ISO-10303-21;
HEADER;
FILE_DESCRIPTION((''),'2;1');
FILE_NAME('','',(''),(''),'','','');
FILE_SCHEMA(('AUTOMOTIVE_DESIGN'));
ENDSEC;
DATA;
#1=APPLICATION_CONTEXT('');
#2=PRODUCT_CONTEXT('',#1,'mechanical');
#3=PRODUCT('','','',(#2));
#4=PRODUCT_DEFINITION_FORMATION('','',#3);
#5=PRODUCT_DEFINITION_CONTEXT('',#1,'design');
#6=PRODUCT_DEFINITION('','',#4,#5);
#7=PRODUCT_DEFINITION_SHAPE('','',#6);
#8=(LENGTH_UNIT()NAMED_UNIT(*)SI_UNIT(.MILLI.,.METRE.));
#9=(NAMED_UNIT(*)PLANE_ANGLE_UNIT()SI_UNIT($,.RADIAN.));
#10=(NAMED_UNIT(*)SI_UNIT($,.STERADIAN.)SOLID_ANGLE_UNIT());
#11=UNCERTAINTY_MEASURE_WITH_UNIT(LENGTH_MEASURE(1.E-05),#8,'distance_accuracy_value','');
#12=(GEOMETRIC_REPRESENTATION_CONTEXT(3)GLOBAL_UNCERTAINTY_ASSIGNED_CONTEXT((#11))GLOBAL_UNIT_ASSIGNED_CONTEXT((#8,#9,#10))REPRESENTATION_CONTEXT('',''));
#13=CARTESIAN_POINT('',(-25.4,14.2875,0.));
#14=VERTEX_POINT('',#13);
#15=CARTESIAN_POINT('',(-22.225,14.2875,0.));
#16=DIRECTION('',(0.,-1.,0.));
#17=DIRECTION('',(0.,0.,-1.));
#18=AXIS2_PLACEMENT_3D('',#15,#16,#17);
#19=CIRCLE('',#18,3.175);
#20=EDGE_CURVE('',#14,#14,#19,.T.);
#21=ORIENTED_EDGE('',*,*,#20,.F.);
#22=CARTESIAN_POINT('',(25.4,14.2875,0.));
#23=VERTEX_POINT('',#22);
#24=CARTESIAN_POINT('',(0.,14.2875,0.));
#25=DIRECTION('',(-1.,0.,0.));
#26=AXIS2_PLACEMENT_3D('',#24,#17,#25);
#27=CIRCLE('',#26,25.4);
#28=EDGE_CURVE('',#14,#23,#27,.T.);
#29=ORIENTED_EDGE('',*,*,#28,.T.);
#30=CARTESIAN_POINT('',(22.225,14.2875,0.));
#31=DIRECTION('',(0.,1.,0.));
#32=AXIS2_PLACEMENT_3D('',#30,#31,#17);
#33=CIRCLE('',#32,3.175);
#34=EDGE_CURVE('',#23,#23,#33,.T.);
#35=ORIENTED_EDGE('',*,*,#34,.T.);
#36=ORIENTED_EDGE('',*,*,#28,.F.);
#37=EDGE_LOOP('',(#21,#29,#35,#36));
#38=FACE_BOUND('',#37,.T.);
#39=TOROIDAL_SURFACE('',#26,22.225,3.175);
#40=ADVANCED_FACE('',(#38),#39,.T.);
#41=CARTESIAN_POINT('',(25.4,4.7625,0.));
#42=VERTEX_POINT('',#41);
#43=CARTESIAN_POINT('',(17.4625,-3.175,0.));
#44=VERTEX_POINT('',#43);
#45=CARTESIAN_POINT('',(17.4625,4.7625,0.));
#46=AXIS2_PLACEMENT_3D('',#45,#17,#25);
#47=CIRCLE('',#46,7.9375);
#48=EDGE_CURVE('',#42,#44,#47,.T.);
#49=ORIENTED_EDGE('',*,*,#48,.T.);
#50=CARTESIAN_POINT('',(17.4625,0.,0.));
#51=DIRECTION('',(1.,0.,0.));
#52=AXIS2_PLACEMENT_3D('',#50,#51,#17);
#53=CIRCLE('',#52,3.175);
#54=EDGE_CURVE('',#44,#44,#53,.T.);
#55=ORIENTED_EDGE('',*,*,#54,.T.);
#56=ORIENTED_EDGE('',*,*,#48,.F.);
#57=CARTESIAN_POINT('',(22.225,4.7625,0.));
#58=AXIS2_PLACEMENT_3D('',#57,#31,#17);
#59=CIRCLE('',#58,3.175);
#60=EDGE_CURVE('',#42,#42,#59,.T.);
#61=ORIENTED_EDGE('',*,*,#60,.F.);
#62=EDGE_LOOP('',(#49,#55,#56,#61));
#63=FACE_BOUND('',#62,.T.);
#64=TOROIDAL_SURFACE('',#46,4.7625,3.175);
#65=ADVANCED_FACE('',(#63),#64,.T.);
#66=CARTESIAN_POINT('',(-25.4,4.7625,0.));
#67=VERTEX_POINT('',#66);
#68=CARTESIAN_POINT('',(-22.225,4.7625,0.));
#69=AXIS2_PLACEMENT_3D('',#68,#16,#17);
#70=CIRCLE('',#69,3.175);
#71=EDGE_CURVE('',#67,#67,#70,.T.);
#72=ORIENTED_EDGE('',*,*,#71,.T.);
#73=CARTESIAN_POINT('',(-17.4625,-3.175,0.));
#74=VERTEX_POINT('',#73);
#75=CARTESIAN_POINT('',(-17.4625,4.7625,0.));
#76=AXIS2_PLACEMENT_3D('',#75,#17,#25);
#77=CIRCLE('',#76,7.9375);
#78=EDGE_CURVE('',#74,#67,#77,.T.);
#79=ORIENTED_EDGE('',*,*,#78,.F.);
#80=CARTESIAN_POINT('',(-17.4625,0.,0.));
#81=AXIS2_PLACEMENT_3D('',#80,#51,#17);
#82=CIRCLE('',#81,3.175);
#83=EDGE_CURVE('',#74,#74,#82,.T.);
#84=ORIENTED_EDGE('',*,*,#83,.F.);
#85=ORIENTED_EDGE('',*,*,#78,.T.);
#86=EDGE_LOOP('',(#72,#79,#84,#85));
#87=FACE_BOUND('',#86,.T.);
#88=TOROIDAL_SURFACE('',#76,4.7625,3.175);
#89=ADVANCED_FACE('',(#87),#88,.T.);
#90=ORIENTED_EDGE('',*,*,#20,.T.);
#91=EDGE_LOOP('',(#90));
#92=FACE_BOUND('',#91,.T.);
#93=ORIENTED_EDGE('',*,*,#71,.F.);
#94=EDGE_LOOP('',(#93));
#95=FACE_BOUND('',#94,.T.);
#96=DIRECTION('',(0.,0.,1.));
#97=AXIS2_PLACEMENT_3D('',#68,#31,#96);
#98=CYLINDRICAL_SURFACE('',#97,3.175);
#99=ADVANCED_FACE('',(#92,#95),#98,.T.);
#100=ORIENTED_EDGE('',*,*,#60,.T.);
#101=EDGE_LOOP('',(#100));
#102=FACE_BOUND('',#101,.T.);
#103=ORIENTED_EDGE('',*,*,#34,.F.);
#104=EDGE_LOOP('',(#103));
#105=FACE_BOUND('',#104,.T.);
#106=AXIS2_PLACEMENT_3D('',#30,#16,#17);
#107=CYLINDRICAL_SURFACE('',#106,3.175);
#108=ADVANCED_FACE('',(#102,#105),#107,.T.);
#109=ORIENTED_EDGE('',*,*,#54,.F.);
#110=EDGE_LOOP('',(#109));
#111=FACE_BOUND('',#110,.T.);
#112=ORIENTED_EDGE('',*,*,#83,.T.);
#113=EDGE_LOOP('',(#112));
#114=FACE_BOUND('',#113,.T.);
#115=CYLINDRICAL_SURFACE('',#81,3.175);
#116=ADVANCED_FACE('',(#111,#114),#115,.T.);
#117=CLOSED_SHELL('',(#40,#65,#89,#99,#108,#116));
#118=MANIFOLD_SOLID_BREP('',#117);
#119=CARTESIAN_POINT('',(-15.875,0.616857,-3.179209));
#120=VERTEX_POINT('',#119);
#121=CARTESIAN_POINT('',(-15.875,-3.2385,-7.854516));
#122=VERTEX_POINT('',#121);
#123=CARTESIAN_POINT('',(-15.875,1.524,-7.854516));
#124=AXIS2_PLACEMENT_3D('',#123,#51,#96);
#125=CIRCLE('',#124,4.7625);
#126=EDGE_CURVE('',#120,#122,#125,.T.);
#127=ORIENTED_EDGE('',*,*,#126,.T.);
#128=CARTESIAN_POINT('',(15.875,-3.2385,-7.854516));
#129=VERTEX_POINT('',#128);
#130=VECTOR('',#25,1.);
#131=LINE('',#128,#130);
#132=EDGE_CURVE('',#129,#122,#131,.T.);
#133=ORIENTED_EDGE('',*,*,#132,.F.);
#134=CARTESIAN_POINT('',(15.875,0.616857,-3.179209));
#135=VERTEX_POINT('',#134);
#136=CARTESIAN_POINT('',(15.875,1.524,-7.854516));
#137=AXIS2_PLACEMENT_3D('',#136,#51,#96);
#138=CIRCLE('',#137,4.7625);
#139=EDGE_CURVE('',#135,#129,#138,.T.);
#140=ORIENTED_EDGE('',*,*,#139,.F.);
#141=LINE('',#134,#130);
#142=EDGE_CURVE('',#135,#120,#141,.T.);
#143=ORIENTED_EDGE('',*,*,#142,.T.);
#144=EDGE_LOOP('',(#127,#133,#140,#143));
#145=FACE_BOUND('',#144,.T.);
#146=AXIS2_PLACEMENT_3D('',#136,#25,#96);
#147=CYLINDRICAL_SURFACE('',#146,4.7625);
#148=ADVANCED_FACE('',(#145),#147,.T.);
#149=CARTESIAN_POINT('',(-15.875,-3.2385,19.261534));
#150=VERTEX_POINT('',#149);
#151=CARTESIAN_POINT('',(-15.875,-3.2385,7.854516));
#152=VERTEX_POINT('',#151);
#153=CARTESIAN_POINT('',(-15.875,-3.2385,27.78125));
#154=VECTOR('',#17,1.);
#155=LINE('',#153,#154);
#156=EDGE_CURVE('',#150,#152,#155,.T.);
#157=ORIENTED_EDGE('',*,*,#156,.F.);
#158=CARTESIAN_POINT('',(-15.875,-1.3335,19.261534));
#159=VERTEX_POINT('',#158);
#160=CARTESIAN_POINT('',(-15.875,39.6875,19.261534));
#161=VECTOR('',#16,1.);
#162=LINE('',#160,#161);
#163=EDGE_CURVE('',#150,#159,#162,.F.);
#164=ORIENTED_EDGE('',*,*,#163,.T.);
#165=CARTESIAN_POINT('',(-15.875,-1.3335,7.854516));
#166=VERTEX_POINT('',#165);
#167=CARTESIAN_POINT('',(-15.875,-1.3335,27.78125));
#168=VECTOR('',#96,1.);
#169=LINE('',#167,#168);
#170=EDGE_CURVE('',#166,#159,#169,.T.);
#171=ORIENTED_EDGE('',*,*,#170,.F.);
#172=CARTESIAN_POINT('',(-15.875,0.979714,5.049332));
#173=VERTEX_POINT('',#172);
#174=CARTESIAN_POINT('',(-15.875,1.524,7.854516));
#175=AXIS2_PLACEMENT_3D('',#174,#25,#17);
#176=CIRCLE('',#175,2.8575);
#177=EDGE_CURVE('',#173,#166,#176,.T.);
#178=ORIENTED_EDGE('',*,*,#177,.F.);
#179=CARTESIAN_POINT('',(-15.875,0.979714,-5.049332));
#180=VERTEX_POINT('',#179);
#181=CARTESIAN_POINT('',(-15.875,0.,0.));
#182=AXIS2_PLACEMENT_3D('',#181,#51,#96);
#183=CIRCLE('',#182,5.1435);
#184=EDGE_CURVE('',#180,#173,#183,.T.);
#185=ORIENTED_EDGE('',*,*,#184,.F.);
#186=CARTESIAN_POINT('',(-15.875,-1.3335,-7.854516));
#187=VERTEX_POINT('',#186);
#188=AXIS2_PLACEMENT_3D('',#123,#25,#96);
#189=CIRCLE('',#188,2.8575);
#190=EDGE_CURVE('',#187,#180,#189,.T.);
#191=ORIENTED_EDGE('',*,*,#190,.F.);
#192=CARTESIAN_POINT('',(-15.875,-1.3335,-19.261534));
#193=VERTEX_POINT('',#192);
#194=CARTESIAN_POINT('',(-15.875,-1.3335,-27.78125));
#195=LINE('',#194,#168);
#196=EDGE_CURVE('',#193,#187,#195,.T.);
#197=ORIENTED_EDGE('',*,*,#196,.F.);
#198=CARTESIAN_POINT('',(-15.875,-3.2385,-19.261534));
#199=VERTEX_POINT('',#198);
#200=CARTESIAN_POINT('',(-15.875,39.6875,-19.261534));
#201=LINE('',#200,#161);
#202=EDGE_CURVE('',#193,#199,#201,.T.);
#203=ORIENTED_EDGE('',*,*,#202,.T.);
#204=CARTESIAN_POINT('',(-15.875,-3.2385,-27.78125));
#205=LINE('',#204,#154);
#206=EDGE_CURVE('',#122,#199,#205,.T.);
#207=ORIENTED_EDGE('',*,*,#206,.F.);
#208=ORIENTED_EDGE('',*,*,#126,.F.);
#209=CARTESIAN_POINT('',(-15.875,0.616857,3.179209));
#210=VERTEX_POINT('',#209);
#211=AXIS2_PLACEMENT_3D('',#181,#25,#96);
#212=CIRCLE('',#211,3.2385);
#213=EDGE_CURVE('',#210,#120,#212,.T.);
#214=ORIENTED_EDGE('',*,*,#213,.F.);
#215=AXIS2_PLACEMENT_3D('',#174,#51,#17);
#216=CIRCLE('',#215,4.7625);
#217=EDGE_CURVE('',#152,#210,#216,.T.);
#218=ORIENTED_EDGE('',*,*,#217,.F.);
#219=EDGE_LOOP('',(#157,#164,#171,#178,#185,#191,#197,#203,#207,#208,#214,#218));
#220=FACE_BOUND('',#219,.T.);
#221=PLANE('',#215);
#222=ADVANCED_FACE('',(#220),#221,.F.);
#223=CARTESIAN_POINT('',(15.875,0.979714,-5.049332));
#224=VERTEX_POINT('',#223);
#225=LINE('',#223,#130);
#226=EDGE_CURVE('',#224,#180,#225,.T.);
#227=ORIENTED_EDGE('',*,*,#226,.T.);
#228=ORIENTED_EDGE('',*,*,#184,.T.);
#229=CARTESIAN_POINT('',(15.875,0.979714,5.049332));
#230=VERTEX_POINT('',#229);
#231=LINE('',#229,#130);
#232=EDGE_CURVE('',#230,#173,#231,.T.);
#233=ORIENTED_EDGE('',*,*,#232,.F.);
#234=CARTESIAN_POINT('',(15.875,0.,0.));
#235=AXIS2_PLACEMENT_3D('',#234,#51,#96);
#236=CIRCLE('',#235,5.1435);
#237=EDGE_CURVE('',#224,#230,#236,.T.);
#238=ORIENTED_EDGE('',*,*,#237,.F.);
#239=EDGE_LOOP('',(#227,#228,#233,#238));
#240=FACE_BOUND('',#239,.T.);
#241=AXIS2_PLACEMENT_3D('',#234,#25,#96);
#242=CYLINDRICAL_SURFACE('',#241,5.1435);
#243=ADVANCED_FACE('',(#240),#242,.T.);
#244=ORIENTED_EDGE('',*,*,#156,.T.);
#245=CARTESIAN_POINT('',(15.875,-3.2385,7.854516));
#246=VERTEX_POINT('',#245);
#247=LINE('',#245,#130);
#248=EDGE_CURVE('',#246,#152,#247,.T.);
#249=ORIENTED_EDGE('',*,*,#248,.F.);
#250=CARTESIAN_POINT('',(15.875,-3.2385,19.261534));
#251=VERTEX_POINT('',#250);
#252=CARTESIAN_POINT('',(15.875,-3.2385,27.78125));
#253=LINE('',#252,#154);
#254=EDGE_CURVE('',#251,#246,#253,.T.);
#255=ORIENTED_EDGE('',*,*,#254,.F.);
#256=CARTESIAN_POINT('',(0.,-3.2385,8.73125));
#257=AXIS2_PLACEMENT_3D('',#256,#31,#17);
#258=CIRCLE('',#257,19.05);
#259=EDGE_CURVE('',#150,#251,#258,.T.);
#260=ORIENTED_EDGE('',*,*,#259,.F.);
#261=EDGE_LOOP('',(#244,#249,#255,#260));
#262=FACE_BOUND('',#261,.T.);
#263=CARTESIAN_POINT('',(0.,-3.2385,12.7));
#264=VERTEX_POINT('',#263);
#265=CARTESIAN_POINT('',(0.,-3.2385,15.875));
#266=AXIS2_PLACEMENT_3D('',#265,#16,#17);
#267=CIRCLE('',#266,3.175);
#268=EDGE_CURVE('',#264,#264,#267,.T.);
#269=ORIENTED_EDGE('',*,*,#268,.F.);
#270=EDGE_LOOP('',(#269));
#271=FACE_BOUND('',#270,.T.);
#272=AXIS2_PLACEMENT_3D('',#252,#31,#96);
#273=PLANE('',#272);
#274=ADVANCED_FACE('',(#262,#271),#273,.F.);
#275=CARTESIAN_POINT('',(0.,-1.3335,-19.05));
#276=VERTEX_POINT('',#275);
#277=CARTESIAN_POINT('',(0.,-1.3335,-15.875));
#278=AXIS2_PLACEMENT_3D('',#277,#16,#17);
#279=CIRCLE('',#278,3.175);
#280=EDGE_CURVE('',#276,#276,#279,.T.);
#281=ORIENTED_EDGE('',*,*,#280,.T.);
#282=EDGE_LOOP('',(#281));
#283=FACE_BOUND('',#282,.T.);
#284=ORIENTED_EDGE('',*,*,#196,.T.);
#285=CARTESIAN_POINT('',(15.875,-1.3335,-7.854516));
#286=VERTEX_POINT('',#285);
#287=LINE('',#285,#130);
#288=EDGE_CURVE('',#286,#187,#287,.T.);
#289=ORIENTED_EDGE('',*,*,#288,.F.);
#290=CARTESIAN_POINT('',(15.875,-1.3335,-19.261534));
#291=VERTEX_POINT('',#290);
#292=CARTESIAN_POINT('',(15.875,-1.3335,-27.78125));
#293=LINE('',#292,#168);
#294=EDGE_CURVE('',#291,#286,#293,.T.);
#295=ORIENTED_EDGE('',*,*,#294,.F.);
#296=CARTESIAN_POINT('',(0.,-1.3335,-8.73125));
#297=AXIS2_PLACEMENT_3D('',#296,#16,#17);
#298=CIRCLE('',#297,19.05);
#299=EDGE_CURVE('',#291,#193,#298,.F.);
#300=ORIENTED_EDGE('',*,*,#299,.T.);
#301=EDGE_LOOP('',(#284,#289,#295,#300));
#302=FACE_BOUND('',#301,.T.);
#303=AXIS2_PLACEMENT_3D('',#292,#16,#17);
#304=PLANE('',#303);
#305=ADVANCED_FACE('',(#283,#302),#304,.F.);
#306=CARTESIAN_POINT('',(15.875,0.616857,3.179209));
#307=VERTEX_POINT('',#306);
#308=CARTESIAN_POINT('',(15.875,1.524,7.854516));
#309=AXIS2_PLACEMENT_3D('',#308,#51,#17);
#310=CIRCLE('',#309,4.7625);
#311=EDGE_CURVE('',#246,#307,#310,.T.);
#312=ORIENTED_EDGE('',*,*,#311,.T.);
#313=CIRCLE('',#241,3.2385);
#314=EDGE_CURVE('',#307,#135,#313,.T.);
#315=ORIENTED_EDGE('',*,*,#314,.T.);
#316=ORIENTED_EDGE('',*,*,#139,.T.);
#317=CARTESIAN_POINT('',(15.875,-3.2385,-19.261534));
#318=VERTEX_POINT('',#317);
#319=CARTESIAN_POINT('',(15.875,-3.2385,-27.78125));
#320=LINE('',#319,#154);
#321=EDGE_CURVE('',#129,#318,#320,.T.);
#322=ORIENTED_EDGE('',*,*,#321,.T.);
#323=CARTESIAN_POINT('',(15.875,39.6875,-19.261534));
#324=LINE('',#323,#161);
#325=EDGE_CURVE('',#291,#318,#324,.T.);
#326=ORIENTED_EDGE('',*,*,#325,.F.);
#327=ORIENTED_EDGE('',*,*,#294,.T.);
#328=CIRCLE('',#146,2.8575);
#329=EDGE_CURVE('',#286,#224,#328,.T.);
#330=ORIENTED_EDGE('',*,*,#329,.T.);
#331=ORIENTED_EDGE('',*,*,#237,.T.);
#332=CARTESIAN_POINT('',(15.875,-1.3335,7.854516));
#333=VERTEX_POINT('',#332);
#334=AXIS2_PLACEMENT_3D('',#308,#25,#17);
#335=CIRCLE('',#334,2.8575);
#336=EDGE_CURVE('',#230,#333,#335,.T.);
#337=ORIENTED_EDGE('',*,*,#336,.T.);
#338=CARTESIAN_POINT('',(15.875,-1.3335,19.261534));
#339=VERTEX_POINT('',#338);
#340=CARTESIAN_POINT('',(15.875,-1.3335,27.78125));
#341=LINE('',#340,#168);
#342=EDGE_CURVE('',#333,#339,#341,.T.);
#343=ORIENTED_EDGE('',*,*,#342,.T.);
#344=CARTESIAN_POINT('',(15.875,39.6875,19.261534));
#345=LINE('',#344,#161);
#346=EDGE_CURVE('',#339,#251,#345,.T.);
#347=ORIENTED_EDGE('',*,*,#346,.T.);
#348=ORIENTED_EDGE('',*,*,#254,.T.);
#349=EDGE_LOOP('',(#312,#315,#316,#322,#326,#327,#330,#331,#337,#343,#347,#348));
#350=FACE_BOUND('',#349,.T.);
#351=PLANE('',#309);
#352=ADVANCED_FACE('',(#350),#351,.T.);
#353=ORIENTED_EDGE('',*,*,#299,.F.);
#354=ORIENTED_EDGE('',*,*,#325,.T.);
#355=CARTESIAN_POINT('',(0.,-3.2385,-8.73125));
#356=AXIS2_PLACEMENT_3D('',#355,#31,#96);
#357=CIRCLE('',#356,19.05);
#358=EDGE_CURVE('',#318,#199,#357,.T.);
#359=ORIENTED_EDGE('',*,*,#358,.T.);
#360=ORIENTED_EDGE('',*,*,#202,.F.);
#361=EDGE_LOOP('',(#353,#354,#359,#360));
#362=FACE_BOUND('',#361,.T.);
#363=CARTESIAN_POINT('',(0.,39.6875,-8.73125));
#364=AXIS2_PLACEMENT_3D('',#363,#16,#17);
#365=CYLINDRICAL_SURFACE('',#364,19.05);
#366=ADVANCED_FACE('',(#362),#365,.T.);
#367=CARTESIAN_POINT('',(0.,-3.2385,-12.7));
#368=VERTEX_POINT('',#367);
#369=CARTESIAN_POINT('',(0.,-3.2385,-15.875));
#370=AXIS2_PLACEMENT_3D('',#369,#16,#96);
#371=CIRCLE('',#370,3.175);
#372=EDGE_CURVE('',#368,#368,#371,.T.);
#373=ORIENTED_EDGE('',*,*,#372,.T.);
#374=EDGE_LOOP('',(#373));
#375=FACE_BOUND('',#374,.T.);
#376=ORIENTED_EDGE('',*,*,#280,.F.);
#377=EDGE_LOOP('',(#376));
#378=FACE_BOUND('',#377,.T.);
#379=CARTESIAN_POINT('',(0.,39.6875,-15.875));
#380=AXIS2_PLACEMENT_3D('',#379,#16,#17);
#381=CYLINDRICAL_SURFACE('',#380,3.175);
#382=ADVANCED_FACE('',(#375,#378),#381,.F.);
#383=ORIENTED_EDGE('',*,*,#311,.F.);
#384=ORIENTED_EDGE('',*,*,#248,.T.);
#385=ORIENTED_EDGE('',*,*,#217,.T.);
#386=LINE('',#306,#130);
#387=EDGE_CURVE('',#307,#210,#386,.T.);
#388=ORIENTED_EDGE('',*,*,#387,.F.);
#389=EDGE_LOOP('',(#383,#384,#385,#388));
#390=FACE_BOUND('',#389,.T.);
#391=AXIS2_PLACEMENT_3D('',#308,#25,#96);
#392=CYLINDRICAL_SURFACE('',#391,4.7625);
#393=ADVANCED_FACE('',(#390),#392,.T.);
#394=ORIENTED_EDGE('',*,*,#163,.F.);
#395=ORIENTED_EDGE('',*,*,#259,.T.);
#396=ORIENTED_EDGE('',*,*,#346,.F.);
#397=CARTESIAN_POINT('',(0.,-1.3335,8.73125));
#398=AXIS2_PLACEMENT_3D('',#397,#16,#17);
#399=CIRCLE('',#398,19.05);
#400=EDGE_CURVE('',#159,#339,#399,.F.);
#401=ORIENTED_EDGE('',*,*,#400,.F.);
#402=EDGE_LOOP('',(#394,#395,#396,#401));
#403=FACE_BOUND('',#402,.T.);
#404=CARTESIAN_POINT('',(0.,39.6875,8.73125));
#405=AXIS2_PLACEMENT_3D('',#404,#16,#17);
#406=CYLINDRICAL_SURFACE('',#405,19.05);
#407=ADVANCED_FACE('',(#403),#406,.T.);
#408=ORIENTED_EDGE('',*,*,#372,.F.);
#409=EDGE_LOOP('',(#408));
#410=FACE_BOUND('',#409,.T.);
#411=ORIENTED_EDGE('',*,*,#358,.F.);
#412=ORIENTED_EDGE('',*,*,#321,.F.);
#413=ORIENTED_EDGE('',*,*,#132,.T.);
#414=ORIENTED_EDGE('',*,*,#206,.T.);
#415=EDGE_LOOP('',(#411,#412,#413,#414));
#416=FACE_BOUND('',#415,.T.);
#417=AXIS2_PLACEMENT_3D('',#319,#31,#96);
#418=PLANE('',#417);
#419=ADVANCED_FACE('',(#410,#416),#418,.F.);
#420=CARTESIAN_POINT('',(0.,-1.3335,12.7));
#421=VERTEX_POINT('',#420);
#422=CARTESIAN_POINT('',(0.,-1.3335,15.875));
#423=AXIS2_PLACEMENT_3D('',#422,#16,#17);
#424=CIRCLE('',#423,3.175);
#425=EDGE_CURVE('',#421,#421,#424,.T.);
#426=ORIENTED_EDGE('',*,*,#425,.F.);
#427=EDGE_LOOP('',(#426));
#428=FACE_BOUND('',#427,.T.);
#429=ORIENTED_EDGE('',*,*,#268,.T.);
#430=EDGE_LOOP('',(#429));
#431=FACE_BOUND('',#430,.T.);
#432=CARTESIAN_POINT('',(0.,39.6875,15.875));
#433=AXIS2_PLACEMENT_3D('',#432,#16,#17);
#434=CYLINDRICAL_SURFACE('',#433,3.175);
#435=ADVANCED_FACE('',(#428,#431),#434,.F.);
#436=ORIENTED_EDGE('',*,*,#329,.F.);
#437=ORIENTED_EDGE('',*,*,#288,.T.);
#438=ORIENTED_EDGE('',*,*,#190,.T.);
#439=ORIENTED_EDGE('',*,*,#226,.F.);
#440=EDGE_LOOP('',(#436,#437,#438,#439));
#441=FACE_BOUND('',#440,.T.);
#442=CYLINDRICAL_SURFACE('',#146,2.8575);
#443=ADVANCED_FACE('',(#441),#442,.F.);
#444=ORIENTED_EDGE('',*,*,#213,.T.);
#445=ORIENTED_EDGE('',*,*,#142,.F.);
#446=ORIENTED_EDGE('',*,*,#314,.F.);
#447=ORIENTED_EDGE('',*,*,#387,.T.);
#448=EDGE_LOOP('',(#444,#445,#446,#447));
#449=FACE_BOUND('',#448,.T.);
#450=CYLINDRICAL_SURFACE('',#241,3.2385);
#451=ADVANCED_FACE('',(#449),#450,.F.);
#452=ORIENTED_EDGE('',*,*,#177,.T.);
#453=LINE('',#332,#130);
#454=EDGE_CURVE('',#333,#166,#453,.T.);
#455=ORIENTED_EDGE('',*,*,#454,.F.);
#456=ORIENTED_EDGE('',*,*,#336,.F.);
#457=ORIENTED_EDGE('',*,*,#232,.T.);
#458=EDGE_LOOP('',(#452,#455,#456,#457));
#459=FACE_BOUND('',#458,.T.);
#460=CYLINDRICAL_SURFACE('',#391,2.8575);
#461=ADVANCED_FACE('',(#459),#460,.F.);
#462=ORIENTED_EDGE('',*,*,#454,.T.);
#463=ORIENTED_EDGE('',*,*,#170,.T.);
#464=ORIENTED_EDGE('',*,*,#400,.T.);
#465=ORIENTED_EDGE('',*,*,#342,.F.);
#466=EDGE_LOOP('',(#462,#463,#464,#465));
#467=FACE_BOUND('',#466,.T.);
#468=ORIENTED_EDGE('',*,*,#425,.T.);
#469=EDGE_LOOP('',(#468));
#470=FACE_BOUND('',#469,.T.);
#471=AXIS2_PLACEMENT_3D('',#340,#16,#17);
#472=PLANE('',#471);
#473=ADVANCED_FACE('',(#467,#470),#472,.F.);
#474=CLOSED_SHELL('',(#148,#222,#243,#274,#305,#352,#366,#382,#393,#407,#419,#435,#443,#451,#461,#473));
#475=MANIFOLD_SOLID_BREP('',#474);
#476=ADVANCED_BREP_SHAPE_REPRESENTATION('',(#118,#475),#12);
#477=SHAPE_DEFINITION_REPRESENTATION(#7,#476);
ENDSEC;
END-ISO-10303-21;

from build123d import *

# Parameters (mm, degrees)
SKETCH2_R           = 3.175
BOSS_EXTRUDE1_DEPTH = 15.875
SKETCH4_R           = 3.175
CUT_EXTRUDE1_DEPTH  = 58.092900971


with BuildPart() as part:
    # Sweep1: sweep along a path in Sketch1
    with BuildLine(Plane.XY) as sweep1_path:
        Line((-22.225, 14.2875), (-22.225, 4.7625))
        ThreePointArc((-22.225, 4.7625), (-20.830096045, 1.394903955), (-17.4625, 0))
        Line((-17.4625, 0), (17.4625, 0))
        ThreePointArc((17.4625, 0), (20.830096045, 1.394903955), (22.225, 4.7625))
        Line((22.225, 4.7625), (22.225, 14.2875))
        ThreePointArc((22.225, 14.2875), (0, 36.5125), (-22.225, 14.2875))
    # Sketch2 → Sweep1 (sweep)
    with BuildSketch(Plane(origin=(0, 0, 0), x_dir=(0, 0, -1), z_dir=(1, 0, 0))):
        Circle(SKETCH2_R)
    sweep(path=sweep1_path.line)


with BuildPart() as body_2:
    # Sketch3 → Boss-Extrude1 (new, symmetric)
    with BuildSketch(Plane(origin=(0, 0, 0), x_dir=(0, 0, -1), z_dir=(1, 0, 0))):
        with BuildLine():
            Line((-27.78125, -3.2385), (-27.78125, -1.3335))
            Line((-27.78125, -1.3335), (-7.854516217, -1.3335))
            ThreePointArc((-7.854516217, -1.3335), (-6.03654897, -0.680609113), (-5.049331854, 0.979714286))
            ThreePointArc((-5.049331854, 0.979714286), (0, 5.1435), (5.049331854, 0.979714286))
            ThreePointArc((5.049331854, 0.979714286), (6.03654897, -0.680609113), (7.854516217, -1.3335))
            Line((7.854516217, -1.3335), (27.78125, -1.3335))
            Line((27.78125, -1.3335), (27.78125, -3.2385))
            Line((27.78125, -3.2385), (7.854516217, -3.2385))
            ThreePointArc((7.854516217, -3.2385), (4.824570805, -2.150348521), (3.179208945, 0.616857143))
            ThreePointArc((3.179208945, 0.616857143), (0, 3.2385), (-3.179208945, 0.616857143))
            ThreePointArc((-3.179208945, 0.616857143), (-4.824570805, -2.150348521), (-7.854516217, -3.2385))
            Line((-7.854516217, -3.2385), (-27.78125, -3.2385))
        make_face()
    extrude(amount=BOSS_EXTRUDE1_DEPTH, both=True)

    # Sketch4 → Cut-Extrude1 (cut, through all)
    with BuildSketch(Plane.XZ.offset(3.2385)):
        with Locations(Location((0, 15.875, 0), (0, 0, 270))):
            Circle(SKETCH4_R)
        with Locations(Location((0, -15.875, 0), (0, 0, 270))):
            Circle(SKETCH4_R)
        with BuildLine():
            Line((-15.875, 19.261533709), (-15.875, 27.78125))
            Line((-15.875, 27.78125), (-15.875, 28.03525))
            Line((-15.875, 28.03525), (15.875, 28.03525))
            Line((15.875, 28.03525), (15.875, 27.78125))
            Line((15.875, 27.78125), (15.875, 19.261533709))
            ThreePointArc((15.875, 19.261533709), (0, 27.78125), (-15.875, 19.261533709))
        make_face()
        with BuildLine():
            Line((15.875, -27.78125), (15.875, -19.261533709))
            ThreePointArc((15.875, -19.261533709), (0, -27.78125), (-15.875, -19.261533709))
            Line((-15.875, -19.261533709), (-15.875, -27.78125))
            Line((-15.875, -27.78125), (-15.875, -28.03525))
            Line((-15.875, -28.03525), (15.875, -28.03525))
            Line((15.875, -28.03525), (15.875, -27.78125))
        make_face()
    extrude(amount=-CUT_EXTRUDE1_DEPTH, mode=Mode.SUBTRACT)


solid = Compound([part.part, body_2.part])
